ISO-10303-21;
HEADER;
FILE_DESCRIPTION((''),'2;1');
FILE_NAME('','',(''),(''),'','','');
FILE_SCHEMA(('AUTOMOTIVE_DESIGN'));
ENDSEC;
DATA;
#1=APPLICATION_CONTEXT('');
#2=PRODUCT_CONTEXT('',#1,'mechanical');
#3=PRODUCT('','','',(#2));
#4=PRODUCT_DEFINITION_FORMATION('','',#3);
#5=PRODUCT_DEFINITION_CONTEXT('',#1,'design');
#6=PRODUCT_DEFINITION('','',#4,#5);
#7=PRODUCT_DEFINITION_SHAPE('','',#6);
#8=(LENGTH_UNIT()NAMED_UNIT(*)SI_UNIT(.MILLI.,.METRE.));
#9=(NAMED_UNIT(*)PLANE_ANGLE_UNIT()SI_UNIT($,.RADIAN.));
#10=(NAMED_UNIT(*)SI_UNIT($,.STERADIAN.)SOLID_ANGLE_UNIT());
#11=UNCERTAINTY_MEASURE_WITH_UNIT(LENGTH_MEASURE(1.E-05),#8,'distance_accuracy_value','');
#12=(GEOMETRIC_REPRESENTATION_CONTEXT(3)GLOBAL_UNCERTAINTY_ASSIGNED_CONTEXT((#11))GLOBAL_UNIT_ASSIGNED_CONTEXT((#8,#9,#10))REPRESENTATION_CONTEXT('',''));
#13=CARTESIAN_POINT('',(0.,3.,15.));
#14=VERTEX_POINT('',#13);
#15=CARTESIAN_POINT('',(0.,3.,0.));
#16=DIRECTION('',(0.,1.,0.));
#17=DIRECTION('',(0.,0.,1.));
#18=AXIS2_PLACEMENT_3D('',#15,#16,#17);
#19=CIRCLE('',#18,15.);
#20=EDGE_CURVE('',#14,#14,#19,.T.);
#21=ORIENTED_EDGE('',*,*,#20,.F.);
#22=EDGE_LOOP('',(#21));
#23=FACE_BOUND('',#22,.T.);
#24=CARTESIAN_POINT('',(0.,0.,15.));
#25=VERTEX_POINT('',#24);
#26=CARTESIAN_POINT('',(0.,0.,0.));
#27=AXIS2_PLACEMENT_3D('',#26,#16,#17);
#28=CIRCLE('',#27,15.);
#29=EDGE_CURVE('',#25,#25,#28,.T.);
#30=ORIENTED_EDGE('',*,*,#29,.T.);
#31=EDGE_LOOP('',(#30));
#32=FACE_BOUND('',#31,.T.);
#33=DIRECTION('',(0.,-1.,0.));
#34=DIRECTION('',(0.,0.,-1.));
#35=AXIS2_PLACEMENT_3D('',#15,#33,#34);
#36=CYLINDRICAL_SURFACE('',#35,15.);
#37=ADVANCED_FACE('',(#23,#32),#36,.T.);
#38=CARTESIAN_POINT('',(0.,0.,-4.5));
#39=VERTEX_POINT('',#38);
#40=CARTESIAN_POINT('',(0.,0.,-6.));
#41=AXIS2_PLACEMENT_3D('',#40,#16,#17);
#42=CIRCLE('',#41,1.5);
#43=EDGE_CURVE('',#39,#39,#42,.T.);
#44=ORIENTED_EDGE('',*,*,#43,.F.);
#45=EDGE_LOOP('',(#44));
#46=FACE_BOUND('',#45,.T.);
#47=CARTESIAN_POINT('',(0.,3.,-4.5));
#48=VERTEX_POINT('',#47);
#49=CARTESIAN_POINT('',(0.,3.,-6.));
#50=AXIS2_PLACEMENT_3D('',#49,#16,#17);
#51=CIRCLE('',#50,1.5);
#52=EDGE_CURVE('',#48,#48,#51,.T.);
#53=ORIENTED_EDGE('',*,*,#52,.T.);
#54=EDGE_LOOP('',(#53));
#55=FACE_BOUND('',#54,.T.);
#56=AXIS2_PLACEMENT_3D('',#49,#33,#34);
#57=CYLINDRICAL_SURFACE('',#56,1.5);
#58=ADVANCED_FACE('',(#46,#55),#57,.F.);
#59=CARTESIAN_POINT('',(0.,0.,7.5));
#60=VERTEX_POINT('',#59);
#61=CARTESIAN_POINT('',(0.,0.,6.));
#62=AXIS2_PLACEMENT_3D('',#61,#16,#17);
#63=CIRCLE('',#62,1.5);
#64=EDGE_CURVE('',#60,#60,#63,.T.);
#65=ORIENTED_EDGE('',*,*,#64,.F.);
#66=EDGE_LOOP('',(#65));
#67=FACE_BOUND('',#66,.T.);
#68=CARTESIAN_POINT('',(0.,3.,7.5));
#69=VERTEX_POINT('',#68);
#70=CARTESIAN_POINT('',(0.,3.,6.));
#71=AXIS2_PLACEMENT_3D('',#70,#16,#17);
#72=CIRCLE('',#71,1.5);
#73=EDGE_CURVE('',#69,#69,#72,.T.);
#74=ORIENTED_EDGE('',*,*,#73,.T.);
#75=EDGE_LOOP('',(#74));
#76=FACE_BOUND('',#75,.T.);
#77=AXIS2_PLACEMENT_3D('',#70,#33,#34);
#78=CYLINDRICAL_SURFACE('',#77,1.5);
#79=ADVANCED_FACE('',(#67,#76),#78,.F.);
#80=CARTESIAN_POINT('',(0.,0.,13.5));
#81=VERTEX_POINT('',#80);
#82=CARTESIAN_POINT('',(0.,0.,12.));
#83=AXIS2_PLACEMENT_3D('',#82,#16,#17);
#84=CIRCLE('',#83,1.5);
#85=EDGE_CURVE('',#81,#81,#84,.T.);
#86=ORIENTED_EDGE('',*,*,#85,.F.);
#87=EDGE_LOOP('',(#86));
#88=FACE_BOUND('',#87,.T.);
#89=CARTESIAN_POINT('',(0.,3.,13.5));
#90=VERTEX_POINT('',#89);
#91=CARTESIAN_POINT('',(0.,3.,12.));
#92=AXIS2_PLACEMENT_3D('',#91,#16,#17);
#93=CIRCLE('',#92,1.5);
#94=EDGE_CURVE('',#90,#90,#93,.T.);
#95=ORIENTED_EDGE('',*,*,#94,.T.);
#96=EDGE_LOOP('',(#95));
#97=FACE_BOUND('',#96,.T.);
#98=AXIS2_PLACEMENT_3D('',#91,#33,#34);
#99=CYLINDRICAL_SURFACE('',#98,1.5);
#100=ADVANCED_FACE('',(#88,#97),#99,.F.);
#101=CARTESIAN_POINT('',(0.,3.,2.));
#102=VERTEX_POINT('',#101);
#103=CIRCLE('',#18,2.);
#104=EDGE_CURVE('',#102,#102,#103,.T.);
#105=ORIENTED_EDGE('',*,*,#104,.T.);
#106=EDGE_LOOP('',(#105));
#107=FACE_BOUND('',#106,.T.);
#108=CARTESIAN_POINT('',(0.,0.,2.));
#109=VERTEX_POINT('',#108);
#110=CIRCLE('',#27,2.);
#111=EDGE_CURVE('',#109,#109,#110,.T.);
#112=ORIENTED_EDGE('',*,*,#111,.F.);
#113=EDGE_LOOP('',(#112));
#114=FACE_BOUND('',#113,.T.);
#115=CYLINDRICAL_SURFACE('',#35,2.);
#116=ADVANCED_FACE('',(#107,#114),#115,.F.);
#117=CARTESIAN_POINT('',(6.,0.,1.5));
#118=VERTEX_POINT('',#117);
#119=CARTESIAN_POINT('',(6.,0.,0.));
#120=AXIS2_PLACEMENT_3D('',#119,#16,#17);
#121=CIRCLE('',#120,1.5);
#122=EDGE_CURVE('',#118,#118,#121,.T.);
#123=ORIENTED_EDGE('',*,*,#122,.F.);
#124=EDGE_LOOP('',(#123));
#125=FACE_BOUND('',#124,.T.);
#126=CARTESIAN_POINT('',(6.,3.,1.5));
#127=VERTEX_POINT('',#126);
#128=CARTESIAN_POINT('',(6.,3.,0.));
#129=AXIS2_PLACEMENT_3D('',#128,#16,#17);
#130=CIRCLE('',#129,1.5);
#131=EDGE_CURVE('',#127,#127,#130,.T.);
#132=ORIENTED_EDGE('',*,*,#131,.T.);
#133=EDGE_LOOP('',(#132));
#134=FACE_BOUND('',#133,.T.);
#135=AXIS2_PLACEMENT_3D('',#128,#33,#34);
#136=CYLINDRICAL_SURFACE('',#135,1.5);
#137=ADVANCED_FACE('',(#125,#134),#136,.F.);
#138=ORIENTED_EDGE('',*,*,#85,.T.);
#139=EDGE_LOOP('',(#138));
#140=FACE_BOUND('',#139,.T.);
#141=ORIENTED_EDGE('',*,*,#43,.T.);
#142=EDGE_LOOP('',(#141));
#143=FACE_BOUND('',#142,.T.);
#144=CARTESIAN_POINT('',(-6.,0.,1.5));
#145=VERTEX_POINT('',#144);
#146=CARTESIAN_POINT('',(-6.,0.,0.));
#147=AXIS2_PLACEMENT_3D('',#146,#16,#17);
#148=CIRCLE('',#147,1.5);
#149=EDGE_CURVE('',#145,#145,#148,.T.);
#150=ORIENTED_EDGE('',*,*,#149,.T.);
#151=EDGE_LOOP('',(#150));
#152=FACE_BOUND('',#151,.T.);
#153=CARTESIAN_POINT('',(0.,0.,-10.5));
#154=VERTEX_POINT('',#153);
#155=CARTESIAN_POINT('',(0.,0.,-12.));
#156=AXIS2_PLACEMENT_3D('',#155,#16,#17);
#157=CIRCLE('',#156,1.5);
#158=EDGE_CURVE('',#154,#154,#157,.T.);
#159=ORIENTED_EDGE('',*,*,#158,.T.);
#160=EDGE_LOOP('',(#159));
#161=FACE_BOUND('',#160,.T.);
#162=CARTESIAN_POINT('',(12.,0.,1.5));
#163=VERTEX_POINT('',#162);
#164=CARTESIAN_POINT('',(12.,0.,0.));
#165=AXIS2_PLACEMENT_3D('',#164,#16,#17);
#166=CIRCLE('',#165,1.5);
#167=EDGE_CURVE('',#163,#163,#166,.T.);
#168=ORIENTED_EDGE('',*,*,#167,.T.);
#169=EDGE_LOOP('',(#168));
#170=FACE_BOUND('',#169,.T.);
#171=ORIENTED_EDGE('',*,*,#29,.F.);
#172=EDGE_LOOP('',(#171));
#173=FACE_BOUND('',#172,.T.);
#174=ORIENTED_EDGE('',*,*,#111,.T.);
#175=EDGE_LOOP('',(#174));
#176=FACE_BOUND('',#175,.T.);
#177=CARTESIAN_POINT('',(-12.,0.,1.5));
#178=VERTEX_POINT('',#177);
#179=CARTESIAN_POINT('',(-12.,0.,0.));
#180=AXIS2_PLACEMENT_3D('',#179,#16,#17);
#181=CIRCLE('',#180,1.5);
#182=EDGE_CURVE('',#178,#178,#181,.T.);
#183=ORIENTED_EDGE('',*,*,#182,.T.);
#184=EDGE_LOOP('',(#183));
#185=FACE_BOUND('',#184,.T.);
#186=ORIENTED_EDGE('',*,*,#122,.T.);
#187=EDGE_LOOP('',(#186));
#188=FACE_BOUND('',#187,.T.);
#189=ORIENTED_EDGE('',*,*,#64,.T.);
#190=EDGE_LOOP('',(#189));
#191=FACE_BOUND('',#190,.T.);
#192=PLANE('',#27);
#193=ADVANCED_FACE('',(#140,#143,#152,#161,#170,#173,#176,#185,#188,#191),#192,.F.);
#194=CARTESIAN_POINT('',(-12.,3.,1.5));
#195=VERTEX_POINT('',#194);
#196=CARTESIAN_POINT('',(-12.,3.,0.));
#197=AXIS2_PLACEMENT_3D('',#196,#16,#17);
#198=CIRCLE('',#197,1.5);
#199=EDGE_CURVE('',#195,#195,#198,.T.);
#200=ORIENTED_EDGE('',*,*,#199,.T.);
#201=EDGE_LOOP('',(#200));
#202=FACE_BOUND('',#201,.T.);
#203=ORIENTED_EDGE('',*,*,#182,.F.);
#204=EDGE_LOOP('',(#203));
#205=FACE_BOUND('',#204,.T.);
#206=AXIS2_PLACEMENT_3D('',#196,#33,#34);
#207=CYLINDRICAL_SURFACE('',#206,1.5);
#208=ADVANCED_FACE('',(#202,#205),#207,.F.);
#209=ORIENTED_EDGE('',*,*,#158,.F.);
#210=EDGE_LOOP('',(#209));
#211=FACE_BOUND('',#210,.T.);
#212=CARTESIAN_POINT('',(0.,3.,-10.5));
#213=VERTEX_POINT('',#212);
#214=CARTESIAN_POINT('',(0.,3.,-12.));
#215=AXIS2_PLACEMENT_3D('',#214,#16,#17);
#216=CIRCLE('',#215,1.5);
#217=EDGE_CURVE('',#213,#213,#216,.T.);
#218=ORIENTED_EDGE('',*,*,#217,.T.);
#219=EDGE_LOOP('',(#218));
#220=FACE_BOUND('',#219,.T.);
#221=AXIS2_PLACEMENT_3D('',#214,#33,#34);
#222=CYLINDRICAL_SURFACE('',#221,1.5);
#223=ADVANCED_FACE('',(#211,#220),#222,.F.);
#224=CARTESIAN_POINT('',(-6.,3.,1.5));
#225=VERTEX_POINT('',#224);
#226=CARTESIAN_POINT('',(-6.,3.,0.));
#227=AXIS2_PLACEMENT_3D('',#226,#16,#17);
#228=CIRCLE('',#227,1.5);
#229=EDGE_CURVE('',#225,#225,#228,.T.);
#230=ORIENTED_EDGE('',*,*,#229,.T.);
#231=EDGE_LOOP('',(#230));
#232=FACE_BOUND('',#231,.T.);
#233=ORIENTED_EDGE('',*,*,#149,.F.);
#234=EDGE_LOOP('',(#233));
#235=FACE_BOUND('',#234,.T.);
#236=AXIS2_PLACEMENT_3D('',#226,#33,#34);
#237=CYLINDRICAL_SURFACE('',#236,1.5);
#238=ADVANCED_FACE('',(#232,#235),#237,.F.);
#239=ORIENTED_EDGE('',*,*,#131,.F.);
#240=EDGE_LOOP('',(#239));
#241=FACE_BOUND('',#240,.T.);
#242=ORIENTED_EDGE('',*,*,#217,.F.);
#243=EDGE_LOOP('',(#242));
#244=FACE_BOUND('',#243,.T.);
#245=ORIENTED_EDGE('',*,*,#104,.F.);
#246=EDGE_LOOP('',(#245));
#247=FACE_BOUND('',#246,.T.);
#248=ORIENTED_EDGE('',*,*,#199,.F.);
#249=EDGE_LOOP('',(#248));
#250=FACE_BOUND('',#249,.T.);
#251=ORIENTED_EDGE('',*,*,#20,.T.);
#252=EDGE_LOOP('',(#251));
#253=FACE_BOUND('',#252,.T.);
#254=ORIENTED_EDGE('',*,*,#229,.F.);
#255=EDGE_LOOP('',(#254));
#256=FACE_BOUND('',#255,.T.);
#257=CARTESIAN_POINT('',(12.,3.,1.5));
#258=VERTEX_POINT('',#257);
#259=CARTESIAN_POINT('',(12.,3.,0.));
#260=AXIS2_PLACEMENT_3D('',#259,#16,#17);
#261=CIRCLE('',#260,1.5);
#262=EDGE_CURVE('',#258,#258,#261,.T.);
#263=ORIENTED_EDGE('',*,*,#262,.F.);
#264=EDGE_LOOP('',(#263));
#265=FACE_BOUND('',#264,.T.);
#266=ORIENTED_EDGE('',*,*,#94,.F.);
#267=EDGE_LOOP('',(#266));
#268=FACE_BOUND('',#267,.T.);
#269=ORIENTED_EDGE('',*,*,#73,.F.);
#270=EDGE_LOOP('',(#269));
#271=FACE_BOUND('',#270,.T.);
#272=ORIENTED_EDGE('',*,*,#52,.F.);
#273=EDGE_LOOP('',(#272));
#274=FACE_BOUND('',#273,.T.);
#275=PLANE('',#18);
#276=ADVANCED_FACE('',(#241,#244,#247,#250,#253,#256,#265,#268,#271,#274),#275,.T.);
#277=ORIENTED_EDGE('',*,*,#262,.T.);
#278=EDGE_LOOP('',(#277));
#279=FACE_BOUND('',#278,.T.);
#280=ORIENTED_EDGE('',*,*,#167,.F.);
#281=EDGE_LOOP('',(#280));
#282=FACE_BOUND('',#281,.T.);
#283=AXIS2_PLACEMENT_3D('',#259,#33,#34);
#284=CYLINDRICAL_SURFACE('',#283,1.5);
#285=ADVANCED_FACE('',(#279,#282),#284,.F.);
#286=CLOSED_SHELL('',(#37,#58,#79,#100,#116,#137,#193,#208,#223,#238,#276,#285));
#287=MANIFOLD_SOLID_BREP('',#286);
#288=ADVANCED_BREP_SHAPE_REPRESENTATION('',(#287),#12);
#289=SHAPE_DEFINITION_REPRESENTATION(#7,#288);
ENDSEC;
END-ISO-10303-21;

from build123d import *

# Parameters (mm, degrees)
SKETCH_1_R      = 15
SKETCH_1_R_2    = 2
SKETCH_1_R_3    = 1.5
EXTRUDE_1_DEPTH = 3


with BuildPart() as part:
    # 草图1 → 凸台-拉伸1 (new body)
    with BuildSketch(Plane(origin=(0, 0, 0), x_dir=(1, 0, 0), z_dir=(0, 1, 0))):
        with Locations(Location((0, 0, 0), (0, 0, 270))):
            Circle(SKETCH_1_R)
        with Locations(Location((0, 0, 0), (0, 0, 270))):
            Circle(SKETCH_1_R_2, mode=Mode.SUBTRACT)
        with Locations(Location((0, 6, 0), (0, 0, 270))):
            Circle(SKETCH_1_R_3, mode=Mode.SUBTRACT)
        with Locations(Location((6, 0, 0), (0, 0, 270))):
            Circle(SKETCH_1_R_3, mode=Mode.SUBTRACT)
        with Locations(Location((0, -6, 0), (0, 0, 270))):
            Circle(SKETCH_1_R_3, mode=Mode.SUBTRACT)
        with Locations(Location((-6, 0, 0), (0, 0, 270))):
            Circle(SKETCH_1_R_3, mode=Mode.SUBTRACT)
        with Locations(Location((0, 12, 0), (0, 0, 270))):
            Circle(SKETCH_1_R_3, mode=Mode.SUBTRACT)
        with Locations(Location((12, 0, 0), (0, 0, 270))):
            Circle(SKETCH_1_R_3, mode=Mode.SUBTRACT)
        with Locations(Location((0, -12, 0), (0, 0, 270))):
            Circle(SKETCH_1_R_3, mode=Mode.SUBTRACT)
        with Locations(Location((-12, 0, 0), (0, 0, 270))):
            Circle(SKETCH_1_R_3, mode=Mode.SUBTRACT)
    extrude(amount=EXTRUDE_1_DEPTH)


solid = part.part
